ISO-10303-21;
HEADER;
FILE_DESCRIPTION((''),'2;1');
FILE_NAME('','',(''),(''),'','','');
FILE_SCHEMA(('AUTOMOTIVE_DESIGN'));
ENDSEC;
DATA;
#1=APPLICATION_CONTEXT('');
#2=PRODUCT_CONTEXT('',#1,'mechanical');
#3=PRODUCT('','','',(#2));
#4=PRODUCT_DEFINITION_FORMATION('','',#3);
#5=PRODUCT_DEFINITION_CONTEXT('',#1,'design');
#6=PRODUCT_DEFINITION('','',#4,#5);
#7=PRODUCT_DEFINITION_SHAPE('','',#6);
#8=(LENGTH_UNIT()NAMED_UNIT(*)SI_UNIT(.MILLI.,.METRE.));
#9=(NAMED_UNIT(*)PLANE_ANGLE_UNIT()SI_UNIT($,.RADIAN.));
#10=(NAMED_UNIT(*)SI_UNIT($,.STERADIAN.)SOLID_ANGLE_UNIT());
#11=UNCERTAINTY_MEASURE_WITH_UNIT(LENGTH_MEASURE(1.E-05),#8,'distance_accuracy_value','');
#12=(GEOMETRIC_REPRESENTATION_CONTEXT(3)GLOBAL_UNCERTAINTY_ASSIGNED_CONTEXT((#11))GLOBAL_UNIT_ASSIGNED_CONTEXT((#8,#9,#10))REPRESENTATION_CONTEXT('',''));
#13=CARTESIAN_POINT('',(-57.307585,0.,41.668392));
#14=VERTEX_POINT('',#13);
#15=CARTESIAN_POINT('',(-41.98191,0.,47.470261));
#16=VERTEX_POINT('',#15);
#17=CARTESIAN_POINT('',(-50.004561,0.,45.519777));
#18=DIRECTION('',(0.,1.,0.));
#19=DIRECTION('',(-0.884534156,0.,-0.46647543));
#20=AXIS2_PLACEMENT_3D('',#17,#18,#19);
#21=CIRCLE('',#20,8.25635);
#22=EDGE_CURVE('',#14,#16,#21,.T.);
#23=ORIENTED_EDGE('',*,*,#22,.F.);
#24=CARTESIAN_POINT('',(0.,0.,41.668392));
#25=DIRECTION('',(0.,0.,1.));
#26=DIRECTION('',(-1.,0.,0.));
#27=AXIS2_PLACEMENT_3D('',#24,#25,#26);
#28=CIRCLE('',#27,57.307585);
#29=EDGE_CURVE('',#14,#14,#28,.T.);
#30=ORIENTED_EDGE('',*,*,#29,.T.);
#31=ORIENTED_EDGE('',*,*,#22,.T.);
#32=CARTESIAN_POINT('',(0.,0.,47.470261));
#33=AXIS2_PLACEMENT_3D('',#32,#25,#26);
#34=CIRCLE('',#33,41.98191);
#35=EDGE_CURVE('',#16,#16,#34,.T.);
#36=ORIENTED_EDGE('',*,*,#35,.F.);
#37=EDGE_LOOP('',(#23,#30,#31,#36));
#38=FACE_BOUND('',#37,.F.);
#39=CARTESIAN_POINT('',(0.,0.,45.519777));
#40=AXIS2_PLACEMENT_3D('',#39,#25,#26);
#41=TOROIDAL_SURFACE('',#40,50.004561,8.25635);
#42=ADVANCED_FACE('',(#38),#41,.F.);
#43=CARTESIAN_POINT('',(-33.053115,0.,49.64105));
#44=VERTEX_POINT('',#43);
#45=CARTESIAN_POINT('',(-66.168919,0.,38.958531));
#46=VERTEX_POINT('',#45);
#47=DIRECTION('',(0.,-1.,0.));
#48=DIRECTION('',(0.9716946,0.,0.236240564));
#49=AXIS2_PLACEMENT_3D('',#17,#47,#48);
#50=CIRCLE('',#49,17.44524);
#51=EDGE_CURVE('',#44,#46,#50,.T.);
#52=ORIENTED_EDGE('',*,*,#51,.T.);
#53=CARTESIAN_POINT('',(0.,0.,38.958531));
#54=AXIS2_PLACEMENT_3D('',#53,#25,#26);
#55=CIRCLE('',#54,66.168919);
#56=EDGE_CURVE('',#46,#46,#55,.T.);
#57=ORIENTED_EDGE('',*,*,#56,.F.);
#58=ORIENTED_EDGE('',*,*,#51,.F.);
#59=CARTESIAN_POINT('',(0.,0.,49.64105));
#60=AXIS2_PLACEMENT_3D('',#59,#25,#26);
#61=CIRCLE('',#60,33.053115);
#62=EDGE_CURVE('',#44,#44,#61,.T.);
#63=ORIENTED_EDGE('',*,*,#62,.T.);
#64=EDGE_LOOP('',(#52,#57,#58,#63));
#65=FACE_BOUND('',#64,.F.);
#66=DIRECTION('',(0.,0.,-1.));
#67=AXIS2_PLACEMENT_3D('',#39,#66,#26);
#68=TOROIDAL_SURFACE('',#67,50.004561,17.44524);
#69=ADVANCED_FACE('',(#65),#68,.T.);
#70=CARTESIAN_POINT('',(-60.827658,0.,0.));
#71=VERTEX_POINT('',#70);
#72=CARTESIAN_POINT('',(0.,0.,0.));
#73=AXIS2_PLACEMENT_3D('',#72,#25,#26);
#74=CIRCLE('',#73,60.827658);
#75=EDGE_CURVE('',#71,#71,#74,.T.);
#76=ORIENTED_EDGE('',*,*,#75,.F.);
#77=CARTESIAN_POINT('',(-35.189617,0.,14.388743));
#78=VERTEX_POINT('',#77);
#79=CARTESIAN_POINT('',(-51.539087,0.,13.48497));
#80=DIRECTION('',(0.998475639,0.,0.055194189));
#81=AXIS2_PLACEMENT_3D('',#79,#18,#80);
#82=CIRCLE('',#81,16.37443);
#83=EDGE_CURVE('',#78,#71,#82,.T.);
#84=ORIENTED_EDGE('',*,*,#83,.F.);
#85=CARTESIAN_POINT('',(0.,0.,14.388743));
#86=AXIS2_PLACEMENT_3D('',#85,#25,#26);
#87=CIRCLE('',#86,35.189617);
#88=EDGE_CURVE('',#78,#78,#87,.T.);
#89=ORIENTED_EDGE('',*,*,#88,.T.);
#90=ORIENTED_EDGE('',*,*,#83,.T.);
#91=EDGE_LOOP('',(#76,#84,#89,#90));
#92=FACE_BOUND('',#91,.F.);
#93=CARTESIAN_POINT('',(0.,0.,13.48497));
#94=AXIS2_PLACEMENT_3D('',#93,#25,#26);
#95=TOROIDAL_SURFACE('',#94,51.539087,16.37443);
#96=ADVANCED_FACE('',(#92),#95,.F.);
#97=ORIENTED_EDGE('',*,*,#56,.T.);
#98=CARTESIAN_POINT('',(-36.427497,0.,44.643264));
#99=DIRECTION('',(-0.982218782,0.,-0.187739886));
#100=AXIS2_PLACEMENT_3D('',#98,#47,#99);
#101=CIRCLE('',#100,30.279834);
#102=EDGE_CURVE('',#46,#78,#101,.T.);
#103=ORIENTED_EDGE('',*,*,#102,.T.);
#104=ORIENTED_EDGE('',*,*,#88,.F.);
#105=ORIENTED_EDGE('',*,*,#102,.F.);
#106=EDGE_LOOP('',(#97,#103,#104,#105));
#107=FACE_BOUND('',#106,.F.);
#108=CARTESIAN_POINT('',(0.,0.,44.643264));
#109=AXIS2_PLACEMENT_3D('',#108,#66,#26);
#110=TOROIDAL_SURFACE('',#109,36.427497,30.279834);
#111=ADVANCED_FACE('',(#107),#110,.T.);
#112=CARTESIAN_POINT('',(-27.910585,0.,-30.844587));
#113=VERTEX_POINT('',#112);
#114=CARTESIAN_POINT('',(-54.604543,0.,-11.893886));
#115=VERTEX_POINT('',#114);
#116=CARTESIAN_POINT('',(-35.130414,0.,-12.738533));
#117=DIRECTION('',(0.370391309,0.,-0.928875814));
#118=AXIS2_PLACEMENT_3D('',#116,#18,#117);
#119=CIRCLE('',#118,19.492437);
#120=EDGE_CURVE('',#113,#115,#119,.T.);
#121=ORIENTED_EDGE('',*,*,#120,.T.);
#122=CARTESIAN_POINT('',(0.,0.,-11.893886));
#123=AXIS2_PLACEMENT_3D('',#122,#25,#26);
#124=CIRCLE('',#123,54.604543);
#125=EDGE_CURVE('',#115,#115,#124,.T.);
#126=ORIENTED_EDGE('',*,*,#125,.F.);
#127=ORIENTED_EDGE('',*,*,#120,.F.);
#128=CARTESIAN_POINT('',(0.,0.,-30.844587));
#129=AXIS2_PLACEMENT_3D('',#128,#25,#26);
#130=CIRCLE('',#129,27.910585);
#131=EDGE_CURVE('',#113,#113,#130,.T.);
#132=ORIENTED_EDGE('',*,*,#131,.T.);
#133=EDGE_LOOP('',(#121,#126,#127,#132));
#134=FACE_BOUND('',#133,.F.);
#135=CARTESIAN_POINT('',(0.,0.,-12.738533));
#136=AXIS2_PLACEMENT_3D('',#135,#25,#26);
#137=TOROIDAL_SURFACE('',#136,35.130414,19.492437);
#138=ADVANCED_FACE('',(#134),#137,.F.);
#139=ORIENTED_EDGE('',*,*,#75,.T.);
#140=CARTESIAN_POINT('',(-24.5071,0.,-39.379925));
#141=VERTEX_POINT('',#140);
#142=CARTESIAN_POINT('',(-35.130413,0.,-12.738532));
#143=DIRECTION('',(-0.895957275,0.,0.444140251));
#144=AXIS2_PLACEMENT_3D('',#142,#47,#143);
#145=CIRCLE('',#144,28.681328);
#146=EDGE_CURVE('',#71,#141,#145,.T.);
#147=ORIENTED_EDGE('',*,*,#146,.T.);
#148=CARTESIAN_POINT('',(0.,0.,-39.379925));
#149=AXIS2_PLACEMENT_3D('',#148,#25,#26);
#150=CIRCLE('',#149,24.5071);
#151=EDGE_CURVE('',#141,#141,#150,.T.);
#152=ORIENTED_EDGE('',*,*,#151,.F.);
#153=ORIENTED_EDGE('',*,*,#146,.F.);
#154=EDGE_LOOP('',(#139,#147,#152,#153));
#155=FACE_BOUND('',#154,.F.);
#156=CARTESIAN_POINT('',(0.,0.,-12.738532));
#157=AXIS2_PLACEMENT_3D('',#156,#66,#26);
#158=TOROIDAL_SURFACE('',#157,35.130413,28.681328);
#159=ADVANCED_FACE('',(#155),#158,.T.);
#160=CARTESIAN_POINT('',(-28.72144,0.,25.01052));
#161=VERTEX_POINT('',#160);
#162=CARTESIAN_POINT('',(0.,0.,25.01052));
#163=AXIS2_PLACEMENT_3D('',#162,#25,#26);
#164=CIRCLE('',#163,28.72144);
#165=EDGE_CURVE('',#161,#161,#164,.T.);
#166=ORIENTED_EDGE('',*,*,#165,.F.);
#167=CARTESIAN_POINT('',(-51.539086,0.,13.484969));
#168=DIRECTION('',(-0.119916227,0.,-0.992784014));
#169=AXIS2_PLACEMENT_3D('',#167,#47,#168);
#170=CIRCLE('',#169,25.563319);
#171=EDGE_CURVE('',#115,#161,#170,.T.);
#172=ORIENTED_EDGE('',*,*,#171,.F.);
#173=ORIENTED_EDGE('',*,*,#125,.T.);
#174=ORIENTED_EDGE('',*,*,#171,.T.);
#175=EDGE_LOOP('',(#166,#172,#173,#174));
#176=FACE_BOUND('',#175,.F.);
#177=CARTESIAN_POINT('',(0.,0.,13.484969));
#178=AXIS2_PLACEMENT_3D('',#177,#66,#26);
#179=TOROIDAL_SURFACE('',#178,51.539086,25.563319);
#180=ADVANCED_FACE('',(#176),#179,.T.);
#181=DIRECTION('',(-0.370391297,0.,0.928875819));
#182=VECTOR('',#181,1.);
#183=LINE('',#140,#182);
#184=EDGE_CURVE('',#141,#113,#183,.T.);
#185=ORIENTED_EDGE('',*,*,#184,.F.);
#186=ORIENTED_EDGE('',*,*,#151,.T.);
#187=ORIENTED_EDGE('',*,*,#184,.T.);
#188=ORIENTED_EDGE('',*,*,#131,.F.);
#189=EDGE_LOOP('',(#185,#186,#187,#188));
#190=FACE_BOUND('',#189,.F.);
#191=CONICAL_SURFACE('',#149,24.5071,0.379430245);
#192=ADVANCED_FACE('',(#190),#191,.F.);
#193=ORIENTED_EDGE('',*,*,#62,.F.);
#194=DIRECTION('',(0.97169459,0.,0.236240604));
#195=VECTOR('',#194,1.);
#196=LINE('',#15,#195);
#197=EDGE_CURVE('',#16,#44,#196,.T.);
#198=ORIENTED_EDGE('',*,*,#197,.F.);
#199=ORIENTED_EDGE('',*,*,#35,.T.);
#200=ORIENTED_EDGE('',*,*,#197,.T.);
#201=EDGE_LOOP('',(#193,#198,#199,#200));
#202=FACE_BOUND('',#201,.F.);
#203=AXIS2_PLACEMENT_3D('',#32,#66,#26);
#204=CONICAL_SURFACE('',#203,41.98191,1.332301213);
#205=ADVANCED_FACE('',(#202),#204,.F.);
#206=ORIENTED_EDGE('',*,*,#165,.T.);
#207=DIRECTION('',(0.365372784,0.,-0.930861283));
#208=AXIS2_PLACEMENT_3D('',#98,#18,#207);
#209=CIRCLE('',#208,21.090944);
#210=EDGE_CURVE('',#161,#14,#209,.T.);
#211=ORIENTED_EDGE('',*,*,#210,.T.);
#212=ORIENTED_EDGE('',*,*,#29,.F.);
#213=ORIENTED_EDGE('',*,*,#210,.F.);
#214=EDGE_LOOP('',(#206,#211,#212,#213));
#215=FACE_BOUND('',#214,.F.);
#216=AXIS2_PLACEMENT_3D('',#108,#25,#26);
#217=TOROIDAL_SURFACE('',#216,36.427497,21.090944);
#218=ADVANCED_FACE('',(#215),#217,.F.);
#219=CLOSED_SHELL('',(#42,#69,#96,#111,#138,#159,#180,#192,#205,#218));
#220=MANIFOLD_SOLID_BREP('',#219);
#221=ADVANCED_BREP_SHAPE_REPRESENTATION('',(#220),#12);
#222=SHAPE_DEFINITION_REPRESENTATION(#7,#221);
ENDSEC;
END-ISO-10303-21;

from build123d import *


with BuildPart() as f1:
    # F0 (on Front) → F1 (revolve)
    with BuildSketch(Plane.XZ):
        with BuildLine():
            ThreePointArc((-35.189617, 14.388743), (-43.525158, -0.794348), (-60.827658, 0))
            ThreePointArc((-60.827658, 0), (-56.213593, -32.183792), (-24.5071, -39.379925))
            Line((-24.5071, -39.379925), (-27.910585, -30.844587))
            ThreePointArc((-27.910585, -30.844587), (-46.414218, -28.6329), (-54.604543, -11.893886))
            ThreePointArc((-54.604543, -11.893886), (-30.610134, -1.193664), (-28.72144, 25.01052))
            ThreePointArc((-28.72144, 25.01052), (-47.046346, 26.420531), (-57.307585, 41.668392))
            ThreePointArc((-57.307585, 41.668392), (-52.927725, 53.241333), (-41.98191, 47.470261))
            Line((-41.98191, 47.470261), (-33.053115, 49.64105))
            ThreePointArc((-33.053115, 49.64105), (-55.360299, 62.122562), (-66.168919, 38.958531))
            ThreePointArc((-66.168919, 38.958531), (-55.243225, 20.919083), (-35.189617, 14.388743))
        make_face()
    revolve(axis=Axis((0, 0, 15.250752), (0, 0, 1)))


solid = f1.part
